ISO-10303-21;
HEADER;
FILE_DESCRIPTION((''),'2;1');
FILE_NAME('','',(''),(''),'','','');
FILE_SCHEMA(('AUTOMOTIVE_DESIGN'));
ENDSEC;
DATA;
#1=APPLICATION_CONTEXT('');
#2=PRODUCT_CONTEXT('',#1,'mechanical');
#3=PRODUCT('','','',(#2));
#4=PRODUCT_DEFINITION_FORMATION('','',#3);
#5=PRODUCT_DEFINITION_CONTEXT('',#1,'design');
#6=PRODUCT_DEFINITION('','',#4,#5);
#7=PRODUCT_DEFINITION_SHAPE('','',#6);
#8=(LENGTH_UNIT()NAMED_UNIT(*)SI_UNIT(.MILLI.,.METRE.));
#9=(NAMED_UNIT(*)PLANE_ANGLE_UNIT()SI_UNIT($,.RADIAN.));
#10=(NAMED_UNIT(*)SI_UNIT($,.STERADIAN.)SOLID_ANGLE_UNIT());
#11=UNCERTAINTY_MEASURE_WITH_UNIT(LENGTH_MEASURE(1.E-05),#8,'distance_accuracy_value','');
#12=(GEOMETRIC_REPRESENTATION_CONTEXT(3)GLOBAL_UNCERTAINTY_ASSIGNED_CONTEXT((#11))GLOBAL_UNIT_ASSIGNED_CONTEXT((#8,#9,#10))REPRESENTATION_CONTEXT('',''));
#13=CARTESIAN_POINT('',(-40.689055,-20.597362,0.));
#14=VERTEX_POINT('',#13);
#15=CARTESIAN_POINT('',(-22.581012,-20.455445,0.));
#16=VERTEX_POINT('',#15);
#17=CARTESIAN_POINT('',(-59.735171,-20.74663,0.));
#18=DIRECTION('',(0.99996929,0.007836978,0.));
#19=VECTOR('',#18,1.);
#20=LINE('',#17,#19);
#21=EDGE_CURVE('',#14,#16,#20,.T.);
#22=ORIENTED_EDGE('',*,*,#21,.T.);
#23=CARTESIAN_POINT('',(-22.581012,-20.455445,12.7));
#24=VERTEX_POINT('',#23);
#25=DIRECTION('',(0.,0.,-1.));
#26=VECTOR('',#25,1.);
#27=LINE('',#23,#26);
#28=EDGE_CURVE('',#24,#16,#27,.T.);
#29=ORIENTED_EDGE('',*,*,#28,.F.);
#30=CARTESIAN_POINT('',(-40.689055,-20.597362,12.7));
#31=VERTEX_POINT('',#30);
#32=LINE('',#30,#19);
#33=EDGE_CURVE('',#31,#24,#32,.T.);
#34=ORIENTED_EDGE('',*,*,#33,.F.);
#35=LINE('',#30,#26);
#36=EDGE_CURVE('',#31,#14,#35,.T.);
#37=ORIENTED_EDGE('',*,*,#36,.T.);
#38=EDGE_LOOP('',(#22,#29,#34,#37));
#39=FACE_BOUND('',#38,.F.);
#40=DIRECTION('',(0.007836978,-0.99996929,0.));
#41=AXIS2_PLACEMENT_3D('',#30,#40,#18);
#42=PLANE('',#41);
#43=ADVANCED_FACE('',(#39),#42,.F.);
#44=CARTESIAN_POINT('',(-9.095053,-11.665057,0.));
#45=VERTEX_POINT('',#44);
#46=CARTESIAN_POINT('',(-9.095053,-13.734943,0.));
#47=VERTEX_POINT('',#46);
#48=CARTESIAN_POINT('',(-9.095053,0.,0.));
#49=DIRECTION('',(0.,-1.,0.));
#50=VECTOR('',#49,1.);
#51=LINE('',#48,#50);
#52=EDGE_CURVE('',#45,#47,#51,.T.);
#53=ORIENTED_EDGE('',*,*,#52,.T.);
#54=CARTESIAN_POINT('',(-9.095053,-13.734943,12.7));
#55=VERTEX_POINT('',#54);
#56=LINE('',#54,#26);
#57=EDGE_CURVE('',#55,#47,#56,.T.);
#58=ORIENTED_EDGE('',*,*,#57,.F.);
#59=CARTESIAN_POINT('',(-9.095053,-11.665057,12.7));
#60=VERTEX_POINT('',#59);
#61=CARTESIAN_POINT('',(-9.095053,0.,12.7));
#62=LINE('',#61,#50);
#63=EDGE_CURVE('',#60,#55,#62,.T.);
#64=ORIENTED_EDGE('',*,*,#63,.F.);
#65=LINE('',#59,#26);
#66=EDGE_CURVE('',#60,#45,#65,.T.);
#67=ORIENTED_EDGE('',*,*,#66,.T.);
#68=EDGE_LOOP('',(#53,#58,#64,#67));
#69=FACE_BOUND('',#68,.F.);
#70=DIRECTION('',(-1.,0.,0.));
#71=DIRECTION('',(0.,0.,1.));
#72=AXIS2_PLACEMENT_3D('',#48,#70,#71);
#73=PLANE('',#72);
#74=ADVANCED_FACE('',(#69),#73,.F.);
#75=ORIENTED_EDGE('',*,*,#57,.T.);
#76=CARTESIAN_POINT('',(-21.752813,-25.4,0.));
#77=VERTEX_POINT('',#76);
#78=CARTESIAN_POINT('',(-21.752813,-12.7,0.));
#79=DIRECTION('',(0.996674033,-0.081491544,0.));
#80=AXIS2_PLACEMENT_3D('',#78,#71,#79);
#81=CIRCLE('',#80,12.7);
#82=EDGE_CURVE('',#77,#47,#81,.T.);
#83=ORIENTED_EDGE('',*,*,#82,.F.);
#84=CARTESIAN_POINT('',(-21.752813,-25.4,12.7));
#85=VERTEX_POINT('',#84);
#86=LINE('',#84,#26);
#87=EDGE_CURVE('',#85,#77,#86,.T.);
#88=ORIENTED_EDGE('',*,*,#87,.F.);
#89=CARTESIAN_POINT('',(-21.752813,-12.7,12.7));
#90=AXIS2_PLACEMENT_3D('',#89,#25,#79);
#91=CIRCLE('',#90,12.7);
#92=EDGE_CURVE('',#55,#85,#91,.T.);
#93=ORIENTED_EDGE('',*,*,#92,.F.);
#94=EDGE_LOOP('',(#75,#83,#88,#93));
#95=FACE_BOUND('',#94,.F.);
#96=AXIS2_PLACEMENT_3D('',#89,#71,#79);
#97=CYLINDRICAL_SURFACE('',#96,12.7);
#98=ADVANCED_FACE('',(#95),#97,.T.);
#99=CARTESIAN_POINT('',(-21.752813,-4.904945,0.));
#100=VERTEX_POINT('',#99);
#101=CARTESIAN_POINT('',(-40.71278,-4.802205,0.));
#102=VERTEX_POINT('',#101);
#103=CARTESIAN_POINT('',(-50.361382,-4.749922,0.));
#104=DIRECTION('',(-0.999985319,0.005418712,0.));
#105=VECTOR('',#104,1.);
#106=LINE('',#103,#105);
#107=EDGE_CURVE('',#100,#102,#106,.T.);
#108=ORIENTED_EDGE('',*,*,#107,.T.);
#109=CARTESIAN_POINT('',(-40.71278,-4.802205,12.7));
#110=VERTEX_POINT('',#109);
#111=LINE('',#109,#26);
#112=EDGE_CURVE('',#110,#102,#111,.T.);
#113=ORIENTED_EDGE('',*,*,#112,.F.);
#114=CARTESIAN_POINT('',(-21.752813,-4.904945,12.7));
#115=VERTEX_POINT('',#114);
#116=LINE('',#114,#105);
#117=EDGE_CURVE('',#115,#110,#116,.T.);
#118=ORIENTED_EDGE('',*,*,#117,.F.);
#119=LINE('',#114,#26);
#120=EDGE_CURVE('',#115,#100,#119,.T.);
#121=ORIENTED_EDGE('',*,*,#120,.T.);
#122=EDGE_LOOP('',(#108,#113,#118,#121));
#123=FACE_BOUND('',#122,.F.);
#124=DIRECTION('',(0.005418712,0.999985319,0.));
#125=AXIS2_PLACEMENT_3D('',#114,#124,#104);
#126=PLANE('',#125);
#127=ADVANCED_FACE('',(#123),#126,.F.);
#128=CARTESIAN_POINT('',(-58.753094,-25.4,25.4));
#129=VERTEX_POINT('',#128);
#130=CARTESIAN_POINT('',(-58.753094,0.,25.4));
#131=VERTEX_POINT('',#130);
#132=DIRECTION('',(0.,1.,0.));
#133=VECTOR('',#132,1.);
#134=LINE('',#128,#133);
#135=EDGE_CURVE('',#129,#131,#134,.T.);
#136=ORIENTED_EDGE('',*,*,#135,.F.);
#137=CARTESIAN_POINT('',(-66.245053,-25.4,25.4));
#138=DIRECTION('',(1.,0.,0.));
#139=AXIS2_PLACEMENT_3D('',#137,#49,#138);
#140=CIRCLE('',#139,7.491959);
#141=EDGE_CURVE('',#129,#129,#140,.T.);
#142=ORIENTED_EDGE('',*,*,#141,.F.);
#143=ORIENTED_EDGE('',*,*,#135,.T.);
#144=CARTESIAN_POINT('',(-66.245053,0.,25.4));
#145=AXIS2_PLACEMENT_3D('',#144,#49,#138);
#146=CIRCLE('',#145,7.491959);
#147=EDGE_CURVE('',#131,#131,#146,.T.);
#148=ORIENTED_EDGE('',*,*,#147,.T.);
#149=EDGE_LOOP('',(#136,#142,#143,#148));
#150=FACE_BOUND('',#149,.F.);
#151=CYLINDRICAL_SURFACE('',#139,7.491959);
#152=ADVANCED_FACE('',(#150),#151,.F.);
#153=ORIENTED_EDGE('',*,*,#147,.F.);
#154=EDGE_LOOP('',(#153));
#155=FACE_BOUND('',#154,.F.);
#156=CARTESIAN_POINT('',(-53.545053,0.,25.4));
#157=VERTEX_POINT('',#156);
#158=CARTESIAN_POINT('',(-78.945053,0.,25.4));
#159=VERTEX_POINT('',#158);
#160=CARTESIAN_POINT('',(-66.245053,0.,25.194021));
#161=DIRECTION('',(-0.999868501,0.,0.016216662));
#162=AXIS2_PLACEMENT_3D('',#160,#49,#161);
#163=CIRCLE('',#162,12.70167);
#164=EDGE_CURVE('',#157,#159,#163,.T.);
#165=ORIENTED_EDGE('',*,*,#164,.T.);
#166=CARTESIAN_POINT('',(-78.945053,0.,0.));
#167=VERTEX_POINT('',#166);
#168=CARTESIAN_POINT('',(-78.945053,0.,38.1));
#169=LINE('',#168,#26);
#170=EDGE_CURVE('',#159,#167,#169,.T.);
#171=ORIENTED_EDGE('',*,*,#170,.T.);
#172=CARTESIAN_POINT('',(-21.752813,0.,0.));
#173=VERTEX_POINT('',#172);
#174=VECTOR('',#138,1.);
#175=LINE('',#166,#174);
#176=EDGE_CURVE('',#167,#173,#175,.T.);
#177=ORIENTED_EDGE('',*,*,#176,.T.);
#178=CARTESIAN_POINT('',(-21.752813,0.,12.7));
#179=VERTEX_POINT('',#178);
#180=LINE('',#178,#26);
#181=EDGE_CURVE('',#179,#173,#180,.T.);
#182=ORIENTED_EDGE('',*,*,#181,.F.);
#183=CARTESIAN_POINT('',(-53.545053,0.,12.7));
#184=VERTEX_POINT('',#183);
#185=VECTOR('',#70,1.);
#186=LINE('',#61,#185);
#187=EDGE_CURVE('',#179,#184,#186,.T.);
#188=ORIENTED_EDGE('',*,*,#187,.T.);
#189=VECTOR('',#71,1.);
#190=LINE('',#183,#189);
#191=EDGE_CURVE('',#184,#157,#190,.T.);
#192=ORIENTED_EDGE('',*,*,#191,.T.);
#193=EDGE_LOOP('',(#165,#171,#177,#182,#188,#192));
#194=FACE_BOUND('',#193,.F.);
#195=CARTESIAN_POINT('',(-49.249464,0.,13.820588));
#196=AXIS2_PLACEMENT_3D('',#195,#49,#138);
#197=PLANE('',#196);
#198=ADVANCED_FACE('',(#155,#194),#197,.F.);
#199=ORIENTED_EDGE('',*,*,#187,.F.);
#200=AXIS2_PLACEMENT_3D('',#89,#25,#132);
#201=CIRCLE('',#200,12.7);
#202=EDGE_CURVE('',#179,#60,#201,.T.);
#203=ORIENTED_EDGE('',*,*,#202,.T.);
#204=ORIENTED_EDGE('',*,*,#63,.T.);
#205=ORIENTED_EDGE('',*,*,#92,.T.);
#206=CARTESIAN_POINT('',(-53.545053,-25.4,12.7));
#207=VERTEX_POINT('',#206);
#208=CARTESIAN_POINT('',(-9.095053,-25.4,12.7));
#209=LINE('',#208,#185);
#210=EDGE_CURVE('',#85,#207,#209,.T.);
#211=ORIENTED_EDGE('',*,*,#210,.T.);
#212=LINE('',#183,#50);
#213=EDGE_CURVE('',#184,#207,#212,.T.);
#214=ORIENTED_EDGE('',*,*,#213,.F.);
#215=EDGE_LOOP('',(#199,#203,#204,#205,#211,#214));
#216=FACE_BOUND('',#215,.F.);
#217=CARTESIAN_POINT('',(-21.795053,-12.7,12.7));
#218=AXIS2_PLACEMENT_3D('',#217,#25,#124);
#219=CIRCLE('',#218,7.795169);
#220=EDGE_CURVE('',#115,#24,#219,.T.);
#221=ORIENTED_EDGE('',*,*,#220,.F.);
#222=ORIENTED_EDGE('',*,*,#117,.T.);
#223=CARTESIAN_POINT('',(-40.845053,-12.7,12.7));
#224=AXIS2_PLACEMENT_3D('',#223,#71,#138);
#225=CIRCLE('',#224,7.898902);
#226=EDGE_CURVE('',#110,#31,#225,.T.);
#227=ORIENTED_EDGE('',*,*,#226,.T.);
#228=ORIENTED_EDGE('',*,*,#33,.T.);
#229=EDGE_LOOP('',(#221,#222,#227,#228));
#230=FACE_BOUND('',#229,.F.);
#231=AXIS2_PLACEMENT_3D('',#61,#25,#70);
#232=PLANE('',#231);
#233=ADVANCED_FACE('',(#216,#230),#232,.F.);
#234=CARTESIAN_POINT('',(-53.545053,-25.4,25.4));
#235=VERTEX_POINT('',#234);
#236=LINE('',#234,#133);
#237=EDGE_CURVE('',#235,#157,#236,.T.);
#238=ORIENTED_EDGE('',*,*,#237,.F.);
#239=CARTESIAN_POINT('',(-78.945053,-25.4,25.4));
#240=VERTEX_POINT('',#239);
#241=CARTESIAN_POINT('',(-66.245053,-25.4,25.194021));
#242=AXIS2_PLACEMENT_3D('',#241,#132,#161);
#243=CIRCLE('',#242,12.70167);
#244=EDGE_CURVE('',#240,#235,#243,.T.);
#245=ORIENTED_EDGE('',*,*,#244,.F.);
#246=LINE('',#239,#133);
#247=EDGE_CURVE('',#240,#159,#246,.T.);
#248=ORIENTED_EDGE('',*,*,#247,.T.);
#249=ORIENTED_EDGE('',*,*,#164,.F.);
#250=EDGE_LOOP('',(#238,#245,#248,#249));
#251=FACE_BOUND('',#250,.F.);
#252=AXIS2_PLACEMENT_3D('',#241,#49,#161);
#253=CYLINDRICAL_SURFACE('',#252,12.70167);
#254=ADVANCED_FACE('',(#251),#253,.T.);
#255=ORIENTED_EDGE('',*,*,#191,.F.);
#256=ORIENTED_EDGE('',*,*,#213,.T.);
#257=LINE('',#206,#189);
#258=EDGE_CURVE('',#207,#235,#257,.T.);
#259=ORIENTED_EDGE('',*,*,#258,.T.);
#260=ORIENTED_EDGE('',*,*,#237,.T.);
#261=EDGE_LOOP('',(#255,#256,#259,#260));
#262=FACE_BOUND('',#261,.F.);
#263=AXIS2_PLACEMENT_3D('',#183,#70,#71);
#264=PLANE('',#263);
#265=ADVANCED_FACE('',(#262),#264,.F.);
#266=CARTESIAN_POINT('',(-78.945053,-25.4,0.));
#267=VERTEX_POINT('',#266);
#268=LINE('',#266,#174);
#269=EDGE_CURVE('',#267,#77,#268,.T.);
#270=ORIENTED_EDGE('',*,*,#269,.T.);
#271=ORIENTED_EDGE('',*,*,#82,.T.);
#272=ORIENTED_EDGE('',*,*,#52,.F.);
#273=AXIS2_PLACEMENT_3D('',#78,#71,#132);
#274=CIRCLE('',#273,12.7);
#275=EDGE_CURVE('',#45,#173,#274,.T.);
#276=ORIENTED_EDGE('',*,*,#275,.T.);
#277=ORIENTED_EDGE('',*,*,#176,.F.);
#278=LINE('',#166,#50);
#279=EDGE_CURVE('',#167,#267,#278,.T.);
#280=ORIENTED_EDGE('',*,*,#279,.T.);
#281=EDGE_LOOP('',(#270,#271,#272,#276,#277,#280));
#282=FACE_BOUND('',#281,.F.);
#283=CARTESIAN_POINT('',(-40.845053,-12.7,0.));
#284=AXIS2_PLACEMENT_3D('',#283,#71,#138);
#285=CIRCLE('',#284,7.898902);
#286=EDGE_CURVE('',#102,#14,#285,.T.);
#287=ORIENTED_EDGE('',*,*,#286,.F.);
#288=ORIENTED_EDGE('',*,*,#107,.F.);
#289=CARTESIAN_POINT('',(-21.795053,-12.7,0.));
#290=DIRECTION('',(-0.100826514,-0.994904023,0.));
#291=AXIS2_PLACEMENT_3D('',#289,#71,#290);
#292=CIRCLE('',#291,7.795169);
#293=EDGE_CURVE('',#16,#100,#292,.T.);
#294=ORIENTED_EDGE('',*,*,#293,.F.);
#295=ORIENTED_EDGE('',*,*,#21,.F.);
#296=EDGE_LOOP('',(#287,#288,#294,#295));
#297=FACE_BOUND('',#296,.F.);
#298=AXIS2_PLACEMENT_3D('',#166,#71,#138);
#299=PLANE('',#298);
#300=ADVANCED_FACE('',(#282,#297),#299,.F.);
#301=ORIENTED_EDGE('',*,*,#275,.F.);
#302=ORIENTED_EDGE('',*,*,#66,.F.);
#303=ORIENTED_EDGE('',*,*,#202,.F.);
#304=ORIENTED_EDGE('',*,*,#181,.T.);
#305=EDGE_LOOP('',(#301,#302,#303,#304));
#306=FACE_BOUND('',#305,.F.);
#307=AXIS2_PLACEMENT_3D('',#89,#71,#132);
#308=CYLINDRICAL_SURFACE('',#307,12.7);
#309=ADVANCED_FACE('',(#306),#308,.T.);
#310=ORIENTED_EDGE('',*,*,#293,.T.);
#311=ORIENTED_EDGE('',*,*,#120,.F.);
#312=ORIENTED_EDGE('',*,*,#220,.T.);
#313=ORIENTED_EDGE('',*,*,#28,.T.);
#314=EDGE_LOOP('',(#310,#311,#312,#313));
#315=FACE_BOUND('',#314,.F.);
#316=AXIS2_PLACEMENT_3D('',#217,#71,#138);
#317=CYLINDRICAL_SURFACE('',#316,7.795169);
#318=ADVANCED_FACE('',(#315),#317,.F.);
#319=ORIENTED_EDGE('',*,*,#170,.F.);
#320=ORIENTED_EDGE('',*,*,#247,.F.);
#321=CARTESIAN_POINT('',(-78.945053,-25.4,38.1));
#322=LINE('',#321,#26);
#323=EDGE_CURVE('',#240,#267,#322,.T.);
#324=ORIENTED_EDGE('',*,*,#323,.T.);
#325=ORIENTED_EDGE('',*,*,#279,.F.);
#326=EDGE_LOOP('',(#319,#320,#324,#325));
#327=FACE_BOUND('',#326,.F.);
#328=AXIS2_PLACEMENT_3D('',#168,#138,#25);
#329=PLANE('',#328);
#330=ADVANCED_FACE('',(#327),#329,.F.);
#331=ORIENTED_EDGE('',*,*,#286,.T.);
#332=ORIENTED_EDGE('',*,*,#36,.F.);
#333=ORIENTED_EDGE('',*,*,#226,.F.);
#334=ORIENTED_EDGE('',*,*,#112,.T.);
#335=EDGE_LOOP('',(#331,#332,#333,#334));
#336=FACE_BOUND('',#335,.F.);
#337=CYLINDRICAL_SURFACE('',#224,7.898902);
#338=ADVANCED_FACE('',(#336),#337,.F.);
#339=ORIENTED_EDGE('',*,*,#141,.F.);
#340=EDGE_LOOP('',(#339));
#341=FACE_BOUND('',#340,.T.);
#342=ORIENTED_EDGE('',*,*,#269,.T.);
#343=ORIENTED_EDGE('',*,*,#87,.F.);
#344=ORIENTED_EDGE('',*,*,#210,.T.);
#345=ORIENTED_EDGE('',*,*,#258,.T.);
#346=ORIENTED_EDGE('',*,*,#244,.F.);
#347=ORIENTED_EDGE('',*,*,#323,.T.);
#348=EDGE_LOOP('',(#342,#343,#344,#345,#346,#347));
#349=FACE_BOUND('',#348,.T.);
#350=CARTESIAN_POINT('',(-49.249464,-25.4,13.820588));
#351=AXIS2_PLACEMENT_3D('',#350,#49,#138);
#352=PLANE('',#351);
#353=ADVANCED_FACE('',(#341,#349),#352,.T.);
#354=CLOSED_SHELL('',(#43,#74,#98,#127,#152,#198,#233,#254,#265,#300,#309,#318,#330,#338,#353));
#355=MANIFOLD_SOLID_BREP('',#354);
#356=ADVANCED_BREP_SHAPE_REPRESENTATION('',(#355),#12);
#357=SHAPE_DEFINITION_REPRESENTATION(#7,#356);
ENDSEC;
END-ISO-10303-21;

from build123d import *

# Parameters (mm, degrees)
F1_DEPTH  = 25.4
F2_R      = 7.491958629
F3_DEPTH  = 25.401
F5_DEPTH  = 25.401
F6_R      = 7.8989022762
F6_R_2    = 7.7951690208
F7_DEPTH  = 12.701
F9_DEPTH  = 12.701
F11_DEPTH = 12.701


with BuildPart() as f1:
    # F0 (on Front) → F1 (new body)
    with BuildSketch(Plane.XZ):
        Polygon((-53.5450525341, 38.1), (-78.9450525341, 38.1), (-78.9450525341, 0), (-9.0950525341, 0), (-9.0950525341, 12.7), (-53.5450525341, 12.7), align=None)
    extrude(amount=F1_DEPTH)

    # F2 (on face) → F3 (cut, through all)
    with BuildSketch(Plane.XZ.offset(25.4)):
        with Locations((-66.2450525341, 25.4)):
            Circle(F2_R)
    extrude(amount=-F3_DEPTH, mode=Mode.SUBTRACT)

    # F4 (on face) → F5 (cut, through all)
    with BuildSketch(Plane.XZ.offset(25.4)):
        with BuildLine():
            ThreePointArc((-78.9450525341, 25.4), (-66.2450525341, 37.895691554), (-53.5450525341, 25.4))
            Line((-53.5450525341, 25.4), (-53.5450525341, 38.1))
            Line((-53.5450525341, 38.1), (-78.9450525341, 38.1))
            Line((-78.9450525341, 38.1), (-78.9450525341, 25.4))
        make_face()
    extrude(amount=-F5_DEPTH, mode=Mode.SUBTRACT)

    # F6 (on face) → F7 (cut, through all)
    with BuildSketch(Plane.XY.offset(12.7)):
        with Locations((-40.8450525341, -12.7)):
            Circle(F6_R)
        with Locations((-21.7950525341, -12.7)):
            Circle(F6_R_2)
    extrude(amount=-F7_DEPTH, mode=Mode.SUBTRACT)

    # F8 (on face) → F9 (cut, through all)
    with BuildSketch(Plane.XY.offset(12.7)):
        with BuildLine():
            ThreePointArc((-32.9461502579, -12.7), (-35.204801221, -18.2299387243), (-40.6890545818, -20.5973616992))
            Line((-40.6890545818, -20.5973616992), (-22.5810122533, -20.4554450151))
            ThreePointArc((-22.5810122533, -20.4554450151), (-29.5791895595, -12.2854269284), (-21.7528127547, -4.9049454227))
            Line((-21.7528127547, -4.9049454227), (-40.7127795229, -4.8022053066))
            ThreePointArc((-40.7127795229, -4.8022053066), (-35.2131137579, -7.1615956459), (-32.9461502579, -12.7))
        make_face()
    extrude(amount=-F9_DEPTH, mode=Mode.SUBTRACT)

    # F10 (on face) → F11 (cut, through all)
    with BuildSketch(Plane.XY.offset(12.7)):
        with BuildLine():
            ThreePointArc((-21.7528127547, 0), (-13.1462388454, -3.3610018984), (-9.0950525341, -11.6650573949))
            Line((-9.0950525341, -11.6650573949), (-9.0950525341, 0))
            Line((-9.0950525341, 0), (-21.7528127547, 0))
        make_face()
        with BuildLine():
            ThreePointArc((-9.0950525341, -13.7349426051), (-13.1462388454, -22.0389981016), (-21.7528127547, -25.4))
            Line((-21.7528127547, -25.4), (-9.0950525341, -25.4))
            Line((-9.0950525341, -25.4), (-9.0950525341, -13.7349426051))
        make_face()
    extrude(amount=-F11_DEPTH, mode=Mode.SUBTRACT)


solid = f1.part
